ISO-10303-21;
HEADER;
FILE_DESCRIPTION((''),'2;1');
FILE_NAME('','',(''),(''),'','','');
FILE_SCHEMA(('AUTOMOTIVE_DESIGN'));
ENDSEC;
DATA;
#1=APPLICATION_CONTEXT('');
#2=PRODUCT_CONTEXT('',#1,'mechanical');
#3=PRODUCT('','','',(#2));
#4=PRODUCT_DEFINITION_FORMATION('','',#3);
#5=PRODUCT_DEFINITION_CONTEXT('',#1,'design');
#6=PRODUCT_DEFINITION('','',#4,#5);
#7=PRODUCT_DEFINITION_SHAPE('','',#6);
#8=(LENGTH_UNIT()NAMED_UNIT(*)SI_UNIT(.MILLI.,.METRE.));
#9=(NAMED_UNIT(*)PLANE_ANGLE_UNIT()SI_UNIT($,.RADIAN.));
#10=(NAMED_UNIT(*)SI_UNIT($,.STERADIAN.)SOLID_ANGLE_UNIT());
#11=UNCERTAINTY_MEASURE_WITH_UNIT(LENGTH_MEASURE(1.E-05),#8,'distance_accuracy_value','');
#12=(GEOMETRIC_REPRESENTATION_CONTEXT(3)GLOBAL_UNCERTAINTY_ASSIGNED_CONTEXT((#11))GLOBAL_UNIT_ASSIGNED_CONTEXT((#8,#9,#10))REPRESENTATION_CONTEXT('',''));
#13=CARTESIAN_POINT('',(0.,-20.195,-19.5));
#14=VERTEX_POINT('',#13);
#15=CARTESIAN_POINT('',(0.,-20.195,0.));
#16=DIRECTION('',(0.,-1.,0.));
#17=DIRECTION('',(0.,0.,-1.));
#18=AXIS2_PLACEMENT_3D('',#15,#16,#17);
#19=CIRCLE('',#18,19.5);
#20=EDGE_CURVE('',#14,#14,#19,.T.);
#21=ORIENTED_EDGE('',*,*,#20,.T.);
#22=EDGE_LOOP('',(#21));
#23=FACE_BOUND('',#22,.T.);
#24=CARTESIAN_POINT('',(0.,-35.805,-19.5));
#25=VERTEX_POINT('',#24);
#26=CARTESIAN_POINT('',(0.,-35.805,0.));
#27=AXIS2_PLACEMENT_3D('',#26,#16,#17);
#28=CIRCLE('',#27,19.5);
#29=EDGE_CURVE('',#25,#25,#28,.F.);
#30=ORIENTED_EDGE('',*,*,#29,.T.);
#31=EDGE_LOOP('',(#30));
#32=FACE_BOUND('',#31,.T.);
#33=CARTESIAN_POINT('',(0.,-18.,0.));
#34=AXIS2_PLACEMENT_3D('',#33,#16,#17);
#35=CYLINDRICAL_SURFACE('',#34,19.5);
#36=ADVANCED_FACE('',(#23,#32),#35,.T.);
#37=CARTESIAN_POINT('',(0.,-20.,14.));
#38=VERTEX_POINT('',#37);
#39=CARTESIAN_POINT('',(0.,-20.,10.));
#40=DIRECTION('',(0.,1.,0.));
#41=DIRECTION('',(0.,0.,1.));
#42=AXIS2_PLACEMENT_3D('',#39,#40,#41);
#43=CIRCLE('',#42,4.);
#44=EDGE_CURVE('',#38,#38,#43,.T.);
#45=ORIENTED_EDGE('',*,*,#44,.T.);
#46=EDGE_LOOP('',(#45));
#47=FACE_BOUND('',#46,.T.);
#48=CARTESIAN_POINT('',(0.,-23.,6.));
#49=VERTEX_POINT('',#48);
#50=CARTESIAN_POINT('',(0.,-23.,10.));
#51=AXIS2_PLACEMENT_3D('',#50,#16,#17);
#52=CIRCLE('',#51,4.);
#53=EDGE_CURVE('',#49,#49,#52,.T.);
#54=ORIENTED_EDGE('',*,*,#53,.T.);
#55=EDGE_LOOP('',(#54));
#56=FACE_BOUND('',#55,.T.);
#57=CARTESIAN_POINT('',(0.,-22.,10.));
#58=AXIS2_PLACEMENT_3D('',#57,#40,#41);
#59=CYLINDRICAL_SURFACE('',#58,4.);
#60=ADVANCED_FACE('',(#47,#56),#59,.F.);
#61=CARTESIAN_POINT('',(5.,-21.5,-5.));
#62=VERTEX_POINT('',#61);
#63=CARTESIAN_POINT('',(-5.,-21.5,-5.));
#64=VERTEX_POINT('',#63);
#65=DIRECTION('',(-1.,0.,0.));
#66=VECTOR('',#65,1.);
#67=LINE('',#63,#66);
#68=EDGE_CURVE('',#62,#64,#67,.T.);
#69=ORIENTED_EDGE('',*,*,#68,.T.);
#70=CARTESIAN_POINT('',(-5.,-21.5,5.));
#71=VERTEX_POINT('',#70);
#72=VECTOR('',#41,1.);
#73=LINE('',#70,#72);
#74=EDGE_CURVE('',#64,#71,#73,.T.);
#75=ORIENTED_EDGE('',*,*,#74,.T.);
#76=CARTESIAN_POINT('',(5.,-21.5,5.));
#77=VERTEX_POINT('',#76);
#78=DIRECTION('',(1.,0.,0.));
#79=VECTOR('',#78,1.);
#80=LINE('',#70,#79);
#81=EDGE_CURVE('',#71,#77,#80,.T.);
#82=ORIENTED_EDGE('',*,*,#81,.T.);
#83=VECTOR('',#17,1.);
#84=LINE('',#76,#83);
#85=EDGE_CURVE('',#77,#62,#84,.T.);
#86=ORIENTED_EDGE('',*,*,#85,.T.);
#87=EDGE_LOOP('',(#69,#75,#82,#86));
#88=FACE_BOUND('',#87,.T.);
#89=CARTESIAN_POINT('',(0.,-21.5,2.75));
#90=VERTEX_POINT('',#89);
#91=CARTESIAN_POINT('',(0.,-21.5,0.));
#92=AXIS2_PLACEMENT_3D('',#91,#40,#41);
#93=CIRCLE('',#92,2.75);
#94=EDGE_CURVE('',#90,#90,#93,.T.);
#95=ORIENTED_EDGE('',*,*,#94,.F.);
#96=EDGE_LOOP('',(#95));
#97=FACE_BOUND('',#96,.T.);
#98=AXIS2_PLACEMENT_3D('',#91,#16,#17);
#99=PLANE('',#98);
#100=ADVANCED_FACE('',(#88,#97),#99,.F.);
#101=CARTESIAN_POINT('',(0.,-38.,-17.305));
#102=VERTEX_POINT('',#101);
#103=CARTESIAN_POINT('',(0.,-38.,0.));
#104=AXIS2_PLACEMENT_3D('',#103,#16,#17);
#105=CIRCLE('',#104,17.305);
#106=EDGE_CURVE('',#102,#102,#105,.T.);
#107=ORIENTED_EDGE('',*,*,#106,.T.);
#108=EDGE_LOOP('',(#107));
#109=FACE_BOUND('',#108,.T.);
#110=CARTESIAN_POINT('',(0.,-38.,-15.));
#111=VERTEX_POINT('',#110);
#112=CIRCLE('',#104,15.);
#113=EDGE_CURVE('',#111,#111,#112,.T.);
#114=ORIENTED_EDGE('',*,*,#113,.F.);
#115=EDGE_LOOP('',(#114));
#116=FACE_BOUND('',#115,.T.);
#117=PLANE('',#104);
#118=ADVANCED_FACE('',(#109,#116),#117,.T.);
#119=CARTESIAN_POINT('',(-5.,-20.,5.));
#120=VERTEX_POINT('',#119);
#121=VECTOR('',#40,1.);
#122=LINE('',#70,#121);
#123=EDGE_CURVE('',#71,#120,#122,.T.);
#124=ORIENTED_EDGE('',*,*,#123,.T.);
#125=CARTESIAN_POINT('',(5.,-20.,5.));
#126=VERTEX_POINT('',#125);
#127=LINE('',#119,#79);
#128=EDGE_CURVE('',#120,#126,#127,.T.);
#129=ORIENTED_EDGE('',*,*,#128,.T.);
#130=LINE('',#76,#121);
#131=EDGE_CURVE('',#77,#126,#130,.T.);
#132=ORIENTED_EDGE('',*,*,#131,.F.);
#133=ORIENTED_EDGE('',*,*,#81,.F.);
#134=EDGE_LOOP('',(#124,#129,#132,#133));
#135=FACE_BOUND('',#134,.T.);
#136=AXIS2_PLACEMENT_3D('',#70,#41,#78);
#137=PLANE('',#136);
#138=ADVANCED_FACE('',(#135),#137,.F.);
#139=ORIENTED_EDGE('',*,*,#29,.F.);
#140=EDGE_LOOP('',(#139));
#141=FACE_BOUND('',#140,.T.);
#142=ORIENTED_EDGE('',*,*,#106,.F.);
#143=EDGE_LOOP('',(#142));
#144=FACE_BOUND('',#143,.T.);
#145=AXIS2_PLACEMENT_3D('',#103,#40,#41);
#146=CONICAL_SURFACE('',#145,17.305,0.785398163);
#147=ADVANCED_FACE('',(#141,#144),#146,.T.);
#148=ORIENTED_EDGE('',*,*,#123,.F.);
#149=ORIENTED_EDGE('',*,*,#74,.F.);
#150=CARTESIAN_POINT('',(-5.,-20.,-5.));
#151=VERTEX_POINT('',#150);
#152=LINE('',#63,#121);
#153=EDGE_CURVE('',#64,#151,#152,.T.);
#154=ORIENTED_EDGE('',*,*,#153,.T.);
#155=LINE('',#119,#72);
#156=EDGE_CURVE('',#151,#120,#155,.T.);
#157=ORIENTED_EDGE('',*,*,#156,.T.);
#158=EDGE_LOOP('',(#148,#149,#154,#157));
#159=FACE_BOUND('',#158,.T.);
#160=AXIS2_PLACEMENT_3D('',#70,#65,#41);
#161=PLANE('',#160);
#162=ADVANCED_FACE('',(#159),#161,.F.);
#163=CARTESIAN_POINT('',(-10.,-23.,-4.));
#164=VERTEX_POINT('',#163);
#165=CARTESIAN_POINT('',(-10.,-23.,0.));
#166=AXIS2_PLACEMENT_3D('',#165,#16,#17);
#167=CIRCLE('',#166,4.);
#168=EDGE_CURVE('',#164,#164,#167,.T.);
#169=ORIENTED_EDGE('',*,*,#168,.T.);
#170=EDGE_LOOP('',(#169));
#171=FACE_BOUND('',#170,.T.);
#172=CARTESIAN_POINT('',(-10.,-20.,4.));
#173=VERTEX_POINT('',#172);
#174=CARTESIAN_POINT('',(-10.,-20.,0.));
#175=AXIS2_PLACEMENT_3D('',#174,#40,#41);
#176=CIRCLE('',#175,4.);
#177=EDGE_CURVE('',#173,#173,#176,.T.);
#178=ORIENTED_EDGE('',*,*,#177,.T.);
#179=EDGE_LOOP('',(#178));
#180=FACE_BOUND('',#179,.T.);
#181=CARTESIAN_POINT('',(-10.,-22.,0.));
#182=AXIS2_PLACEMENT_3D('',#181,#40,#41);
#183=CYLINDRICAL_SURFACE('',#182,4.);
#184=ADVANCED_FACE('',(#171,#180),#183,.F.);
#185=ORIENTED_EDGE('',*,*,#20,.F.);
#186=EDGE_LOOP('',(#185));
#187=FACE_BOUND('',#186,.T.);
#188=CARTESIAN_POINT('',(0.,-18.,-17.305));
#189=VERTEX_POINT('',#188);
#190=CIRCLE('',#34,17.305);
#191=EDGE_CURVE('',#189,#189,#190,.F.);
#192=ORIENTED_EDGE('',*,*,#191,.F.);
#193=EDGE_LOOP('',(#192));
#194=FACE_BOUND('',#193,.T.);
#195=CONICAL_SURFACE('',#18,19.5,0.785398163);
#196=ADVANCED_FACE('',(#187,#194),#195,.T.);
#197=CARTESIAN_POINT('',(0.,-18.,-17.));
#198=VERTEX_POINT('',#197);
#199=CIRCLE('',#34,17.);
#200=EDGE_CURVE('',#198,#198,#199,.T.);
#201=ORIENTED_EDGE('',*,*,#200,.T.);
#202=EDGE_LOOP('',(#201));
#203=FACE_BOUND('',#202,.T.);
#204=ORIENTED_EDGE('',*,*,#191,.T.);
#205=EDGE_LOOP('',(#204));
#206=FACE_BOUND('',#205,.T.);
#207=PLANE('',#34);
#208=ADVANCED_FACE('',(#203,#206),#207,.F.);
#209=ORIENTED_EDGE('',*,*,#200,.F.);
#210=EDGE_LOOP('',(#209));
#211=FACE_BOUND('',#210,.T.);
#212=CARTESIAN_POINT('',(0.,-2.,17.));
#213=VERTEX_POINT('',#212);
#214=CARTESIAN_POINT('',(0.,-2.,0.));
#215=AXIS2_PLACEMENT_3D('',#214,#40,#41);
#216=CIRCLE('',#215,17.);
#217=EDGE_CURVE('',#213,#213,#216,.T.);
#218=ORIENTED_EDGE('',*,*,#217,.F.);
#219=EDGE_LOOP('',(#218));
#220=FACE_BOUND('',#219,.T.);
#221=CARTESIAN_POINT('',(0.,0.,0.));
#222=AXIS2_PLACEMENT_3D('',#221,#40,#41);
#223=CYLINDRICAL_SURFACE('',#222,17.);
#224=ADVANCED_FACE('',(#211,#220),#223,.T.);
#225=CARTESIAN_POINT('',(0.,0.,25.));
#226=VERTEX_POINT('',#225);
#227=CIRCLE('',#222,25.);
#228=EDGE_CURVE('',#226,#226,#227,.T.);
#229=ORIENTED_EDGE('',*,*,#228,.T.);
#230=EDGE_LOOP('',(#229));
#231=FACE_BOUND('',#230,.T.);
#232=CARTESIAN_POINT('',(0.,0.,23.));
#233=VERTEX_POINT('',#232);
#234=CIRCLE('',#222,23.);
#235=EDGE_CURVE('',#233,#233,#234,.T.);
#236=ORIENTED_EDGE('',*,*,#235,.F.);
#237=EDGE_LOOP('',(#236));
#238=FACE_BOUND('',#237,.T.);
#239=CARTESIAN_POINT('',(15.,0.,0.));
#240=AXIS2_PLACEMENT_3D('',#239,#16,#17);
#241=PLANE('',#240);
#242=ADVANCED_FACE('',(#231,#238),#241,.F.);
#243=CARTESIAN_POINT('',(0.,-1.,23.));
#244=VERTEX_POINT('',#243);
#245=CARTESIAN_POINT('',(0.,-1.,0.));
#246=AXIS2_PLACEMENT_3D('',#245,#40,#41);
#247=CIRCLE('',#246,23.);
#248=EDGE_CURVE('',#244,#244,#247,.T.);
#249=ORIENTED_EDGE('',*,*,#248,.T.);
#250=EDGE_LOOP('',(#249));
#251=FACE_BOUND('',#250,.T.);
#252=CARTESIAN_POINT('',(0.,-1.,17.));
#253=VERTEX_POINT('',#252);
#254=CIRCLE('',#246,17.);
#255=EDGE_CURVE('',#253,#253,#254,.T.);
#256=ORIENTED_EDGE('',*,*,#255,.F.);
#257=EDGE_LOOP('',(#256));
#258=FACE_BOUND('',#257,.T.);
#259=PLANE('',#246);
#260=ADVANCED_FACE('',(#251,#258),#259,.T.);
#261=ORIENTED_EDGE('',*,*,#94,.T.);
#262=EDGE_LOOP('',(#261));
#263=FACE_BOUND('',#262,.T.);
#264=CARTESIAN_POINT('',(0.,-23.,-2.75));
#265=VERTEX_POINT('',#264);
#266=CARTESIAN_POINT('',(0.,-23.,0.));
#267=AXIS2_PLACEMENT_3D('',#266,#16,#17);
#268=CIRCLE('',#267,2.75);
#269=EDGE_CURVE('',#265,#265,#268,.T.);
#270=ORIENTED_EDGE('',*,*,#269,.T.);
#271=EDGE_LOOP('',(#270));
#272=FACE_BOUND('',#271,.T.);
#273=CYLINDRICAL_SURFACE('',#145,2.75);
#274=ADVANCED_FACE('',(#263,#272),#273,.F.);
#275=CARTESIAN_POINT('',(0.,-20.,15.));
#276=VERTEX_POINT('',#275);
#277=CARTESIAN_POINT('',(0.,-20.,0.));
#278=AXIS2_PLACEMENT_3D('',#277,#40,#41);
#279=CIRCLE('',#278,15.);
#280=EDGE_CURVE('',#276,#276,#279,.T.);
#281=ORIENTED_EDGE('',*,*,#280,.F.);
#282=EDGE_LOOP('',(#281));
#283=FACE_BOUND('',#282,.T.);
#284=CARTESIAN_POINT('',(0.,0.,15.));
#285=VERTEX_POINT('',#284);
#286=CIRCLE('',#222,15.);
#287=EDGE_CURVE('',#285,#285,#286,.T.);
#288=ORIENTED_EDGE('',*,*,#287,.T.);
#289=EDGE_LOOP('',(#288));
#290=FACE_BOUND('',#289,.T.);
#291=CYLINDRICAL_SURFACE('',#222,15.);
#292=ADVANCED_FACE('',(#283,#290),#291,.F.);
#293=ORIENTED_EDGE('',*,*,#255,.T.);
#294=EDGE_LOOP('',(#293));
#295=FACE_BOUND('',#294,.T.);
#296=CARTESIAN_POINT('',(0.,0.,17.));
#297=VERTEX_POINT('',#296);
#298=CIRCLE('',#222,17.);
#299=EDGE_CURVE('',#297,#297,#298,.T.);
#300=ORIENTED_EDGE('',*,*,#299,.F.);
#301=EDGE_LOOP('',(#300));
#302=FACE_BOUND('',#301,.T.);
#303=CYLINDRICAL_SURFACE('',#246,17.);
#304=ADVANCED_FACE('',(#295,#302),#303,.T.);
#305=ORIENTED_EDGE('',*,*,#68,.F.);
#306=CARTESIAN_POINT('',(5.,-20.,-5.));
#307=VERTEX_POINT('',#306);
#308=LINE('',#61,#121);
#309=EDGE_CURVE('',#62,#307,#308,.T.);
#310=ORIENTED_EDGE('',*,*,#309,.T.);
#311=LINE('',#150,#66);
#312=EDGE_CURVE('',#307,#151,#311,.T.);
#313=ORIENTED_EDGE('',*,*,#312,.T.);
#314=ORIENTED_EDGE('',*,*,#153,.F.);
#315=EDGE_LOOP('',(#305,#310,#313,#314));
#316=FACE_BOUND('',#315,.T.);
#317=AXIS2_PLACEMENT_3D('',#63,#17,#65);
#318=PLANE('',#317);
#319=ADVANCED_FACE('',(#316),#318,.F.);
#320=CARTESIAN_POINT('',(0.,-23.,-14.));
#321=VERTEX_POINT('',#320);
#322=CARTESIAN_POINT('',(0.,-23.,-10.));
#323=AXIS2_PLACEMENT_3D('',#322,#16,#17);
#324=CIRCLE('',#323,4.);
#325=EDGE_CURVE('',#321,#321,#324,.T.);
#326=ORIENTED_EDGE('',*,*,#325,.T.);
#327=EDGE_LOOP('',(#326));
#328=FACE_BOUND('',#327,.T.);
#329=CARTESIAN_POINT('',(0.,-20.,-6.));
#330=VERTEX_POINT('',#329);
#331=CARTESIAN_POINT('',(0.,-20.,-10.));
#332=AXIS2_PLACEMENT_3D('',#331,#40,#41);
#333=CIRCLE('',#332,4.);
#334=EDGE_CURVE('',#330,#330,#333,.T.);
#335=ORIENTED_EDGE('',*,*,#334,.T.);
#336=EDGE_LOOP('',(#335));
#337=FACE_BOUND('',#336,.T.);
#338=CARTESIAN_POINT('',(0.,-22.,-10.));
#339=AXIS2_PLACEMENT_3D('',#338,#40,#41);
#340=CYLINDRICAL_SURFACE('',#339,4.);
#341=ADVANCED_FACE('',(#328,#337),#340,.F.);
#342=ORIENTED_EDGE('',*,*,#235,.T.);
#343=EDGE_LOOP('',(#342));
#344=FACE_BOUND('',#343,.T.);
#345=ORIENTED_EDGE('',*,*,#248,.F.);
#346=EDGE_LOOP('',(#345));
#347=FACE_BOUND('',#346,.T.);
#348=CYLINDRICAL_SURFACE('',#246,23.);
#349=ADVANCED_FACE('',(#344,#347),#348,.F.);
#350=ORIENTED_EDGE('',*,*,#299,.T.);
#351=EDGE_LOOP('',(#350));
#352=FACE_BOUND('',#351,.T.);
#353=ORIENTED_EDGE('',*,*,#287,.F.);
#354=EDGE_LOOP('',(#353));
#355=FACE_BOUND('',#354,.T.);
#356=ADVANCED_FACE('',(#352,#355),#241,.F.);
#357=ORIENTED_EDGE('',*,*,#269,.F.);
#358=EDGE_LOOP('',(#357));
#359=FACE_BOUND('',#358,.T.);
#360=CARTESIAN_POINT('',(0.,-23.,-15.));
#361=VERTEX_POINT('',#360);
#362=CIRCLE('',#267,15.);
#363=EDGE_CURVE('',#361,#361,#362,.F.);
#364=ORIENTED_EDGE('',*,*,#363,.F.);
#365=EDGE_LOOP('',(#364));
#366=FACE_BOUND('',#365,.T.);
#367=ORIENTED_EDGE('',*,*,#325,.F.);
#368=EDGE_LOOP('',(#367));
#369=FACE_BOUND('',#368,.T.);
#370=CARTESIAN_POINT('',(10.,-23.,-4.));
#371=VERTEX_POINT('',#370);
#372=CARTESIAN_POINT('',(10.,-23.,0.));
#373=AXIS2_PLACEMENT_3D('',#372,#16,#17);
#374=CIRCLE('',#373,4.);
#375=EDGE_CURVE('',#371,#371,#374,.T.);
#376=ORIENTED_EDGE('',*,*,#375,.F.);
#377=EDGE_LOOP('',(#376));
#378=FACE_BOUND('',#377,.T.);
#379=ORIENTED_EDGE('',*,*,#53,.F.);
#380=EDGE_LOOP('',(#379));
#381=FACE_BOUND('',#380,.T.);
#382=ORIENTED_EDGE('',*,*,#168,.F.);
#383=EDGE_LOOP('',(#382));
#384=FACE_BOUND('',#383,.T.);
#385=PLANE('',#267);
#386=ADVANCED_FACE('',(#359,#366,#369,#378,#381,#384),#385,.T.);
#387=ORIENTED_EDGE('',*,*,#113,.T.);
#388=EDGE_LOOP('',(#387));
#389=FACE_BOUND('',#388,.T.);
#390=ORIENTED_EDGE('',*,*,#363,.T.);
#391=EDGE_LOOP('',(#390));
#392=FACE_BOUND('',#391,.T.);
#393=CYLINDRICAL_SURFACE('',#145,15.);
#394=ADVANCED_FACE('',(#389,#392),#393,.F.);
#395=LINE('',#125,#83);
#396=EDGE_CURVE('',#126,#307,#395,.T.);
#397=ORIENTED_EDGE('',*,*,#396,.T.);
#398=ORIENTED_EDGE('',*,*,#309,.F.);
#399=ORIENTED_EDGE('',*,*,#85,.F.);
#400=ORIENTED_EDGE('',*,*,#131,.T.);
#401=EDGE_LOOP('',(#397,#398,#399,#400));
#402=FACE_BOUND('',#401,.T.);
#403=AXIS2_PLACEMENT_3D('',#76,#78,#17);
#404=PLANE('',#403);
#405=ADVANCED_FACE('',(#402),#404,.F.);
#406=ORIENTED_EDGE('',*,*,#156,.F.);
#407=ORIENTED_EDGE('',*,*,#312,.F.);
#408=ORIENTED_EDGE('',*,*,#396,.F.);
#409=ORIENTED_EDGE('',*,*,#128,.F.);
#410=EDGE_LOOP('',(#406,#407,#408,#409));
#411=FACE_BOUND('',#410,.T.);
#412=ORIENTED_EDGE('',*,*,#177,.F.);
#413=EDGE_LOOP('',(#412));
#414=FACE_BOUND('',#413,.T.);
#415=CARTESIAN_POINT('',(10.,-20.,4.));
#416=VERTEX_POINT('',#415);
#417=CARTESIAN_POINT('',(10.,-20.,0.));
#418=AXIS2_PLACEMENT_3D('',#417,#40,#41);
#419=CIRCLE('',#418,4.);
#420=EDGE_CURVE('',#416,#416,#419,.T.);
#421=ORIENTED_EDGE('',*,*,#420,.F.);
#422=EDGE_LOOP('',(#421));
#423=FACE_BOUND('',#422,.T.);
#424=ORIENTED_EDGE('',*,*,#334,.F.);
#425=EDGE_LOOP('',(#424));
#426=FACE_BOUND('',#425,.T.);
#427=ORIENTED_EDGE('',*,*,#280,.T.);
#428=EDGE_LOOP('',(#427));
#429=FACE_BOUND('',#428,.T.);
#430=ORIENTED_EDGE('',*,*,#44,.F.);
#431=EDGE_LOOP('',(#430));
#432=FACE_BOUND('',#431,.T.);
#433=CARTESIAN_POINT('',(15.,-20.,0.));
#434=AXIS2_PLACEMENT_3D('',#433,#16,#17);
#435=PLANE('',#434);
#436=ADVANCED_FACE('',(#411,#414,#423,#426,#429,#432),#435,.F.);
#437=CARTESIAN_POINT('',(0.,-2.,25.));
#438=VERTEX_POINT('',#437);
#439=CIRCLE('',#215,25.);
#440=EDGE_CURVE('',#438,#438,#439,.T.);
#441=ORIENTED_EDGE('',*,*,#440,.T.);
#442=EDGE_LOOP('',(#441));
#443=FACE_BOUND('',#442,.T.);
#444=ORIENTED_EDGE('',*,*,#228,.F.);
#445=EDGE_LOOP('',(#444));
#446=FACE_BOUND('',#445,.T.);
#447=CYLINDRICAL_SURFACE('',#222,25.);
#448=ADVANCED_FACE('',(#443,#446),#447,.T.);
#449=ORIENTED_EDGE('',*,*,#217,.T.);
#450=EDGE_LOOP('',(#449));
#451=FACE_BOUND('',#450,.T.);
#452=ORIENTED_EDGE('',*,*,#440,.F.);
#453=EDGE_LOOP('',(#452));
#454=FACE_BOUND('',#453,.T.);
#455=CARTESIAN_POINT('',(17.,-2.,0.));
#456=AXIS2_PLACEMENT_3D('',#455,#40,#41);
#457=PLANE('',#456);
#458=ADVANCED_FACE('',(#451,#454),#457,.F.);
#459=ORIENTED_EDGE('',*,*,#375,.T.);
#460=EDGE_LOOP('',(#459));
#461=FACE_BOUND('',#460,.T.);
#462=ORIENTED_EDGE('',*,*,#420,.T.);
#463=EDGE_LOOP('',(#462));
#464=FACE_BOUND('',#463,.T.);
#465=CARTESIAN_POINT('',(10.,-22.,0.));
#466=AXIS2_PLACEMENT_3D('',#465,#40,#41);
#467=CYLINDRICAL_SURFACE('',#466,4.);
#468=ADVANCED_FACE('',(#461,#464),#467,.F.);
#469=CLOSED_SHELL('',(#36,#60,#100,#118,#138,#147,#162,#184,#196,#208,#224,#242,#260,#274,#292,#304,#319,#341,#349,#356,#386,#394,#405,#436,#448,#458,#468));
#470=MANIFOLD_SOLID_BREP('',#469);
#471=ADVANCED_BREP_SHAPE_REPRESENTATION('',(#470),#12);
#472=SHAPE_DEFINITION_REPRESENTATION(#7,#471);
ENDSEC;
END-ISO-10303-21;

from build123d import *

# Parameters (mm, degrees)
SKETCH_3_R          = 23
SKETCH_3_R_2        = 17
CUT_EXTRUDE_1_DEPTH = 1
SKETCH_4_W          = 10
SKETCH_4_H          = 10
CUT_EXTRUDE_2_DEPTH = 1.5
SKETCH_5_R          = 4
CUT_EXTRUDE_3_DEPTH = 3
SKETCH_9_R          = 17
SKETCH_9_R_2        = 4
EXTRUDE_1_DEPTH     = 1
SKETCH_10_R         = 17
SKETCH_10_R_2       = 15
EXTRUDE_2_DEPTH     = 15
SKETCH_11_R         = 2.75
CUT_EXTRUDE_4_DEPTH = 17.5
SKETCH_12_R         = 19.5
SKETCH_12_R_2       = 17
EXTRUDE_3_DEPTH     = 20
CHAMFER_1_SIZE      = 2.195


with BuildPart() as part:
    # Эскиз2 → Повернуть1 (revolve)
    with BuildSketch(Plane.XY):
        Polygon((15, 0), (15, -20), (0, -20), (0, -22), (17, -22), (17, -2), (25, -2), (25, 0), align=None)
    revolve(axis=Axis((0, 0, 0), (0, -1, 0)))

    # Эскиз3 → Вырез-Вытянуть1 (cut)
    with BuildSketch(Plane(origin=(0, 0, 0), x_dir=(1, 0, 0), z_dir=(0, 1, 0))):
        Circle(SKETCH_3_R)
        Circle(SKETCH_3_R_2, mode=Mode.SUBTRACT)
    extrude(amount=-CUT_EXTRUDE_1_DEPTH, mode=Mode.SUBTRACT)

    # Эскиз4 → Вырез-Вытянуть2 (cut)
    with BuildSketch(Plane(origin=(0, -20, 0), x_dir=(1, 0, 0), z_dir=(0, 1, 0))):
        Rectangle(SKETCH_4_W, SKETCH_4_H)
    extrude(amount=-CUT_EXTRUDE_2_DEPTH, mode=Mode.SUBTRACT)

    # Эскиз5 → Вырез-Вытянуть3 (cut, through all)
    with BuildSketch(Plane(origin=(0, -20, 0), x_dir=(1, 0, 0), z_dir=(0, 1, 0))):
        with Locations((0, 10)):
            Circle(SKETCH_5_R)
        with Locations((10, 0)):
            Circle(SKETCH_5_R)
        with Locations((0, -10)):
            Circle(SKETCH_5_R)
        with Locations((-10, 0)):
            Circle(SKETCH_5_R)
    extrude(amount=-CUT_EXTRUDE_3_DEPTH, mode=Mode.SUBTRACT)

    # Эскиз9 → Бобышка-Вытянуть1 (add)
    with BuildSketch(Plane.XZ.offset(22)):
        Circle(SKETCH_9_R)
        with Locations((0, 10)):
            Circle(SKETCH_9_R_2, mode=Mode.SUBTRACT)
        with Locations((-10, 0)):
            Circle(SKETCH_9_R_2, mode=Mode.SUBTRACT)
        with Locations((0, -10)):
            Circle(SKETCH_9_R_2, mode=Mode.SUBTRACT)
        with Locations((10, 0)):
            Circle(SKETCH_9_R_2, mode=Mode.SUBTRACT)
    extrude(amount=EXTRUDE_1_DEPTH)

    # Эскиз10 → Бобышка-Вытянуть2 (add)
    with BuildSketch(Plane.XZ.offset(23)):
        Circle(SKETCH_10_R)
        Circle(SKETCH_10_R_2, mode=Mode.SUBTRACT)
    extrude(amount=EXTRUDE_2_DEPTH)

    # Эскиз11 → Вырез-Вытянуть4 (cut, through all)
    with BuildSketch(Plane(origin=(0, -21.5, 0), x_dir=(1, 0, 0), z_dir=(0, 1, 0))):
        Circle(SKETCH_11_R)
    extrude(amount=-CUT_EXTRUDE_4_DEPTH, mode=Mode.SUBTRACT)

    # Эскиз12 → Бобышка-Вытянуть3 (add)
    with BuildSketch(Plane.XZ.offset(38)):
        Circle(SKETCH_12_R)
        Circle(SKETCH_12_R_2, mode=Mode.SUBTRACT)
    extrude(amount=-EXTRUDE_3_DEPTH)

    # Фаска1
    chamfer_1_edges = [part.edges().sort_by_distance(p)[0] for p in [
        (-19.5, -18, 0),
        (-19.5, -38, 0),
    ]]
    chamfer(chamfer_1_edges, length=CHAMFER_1_SIZE)


solid = part.part
